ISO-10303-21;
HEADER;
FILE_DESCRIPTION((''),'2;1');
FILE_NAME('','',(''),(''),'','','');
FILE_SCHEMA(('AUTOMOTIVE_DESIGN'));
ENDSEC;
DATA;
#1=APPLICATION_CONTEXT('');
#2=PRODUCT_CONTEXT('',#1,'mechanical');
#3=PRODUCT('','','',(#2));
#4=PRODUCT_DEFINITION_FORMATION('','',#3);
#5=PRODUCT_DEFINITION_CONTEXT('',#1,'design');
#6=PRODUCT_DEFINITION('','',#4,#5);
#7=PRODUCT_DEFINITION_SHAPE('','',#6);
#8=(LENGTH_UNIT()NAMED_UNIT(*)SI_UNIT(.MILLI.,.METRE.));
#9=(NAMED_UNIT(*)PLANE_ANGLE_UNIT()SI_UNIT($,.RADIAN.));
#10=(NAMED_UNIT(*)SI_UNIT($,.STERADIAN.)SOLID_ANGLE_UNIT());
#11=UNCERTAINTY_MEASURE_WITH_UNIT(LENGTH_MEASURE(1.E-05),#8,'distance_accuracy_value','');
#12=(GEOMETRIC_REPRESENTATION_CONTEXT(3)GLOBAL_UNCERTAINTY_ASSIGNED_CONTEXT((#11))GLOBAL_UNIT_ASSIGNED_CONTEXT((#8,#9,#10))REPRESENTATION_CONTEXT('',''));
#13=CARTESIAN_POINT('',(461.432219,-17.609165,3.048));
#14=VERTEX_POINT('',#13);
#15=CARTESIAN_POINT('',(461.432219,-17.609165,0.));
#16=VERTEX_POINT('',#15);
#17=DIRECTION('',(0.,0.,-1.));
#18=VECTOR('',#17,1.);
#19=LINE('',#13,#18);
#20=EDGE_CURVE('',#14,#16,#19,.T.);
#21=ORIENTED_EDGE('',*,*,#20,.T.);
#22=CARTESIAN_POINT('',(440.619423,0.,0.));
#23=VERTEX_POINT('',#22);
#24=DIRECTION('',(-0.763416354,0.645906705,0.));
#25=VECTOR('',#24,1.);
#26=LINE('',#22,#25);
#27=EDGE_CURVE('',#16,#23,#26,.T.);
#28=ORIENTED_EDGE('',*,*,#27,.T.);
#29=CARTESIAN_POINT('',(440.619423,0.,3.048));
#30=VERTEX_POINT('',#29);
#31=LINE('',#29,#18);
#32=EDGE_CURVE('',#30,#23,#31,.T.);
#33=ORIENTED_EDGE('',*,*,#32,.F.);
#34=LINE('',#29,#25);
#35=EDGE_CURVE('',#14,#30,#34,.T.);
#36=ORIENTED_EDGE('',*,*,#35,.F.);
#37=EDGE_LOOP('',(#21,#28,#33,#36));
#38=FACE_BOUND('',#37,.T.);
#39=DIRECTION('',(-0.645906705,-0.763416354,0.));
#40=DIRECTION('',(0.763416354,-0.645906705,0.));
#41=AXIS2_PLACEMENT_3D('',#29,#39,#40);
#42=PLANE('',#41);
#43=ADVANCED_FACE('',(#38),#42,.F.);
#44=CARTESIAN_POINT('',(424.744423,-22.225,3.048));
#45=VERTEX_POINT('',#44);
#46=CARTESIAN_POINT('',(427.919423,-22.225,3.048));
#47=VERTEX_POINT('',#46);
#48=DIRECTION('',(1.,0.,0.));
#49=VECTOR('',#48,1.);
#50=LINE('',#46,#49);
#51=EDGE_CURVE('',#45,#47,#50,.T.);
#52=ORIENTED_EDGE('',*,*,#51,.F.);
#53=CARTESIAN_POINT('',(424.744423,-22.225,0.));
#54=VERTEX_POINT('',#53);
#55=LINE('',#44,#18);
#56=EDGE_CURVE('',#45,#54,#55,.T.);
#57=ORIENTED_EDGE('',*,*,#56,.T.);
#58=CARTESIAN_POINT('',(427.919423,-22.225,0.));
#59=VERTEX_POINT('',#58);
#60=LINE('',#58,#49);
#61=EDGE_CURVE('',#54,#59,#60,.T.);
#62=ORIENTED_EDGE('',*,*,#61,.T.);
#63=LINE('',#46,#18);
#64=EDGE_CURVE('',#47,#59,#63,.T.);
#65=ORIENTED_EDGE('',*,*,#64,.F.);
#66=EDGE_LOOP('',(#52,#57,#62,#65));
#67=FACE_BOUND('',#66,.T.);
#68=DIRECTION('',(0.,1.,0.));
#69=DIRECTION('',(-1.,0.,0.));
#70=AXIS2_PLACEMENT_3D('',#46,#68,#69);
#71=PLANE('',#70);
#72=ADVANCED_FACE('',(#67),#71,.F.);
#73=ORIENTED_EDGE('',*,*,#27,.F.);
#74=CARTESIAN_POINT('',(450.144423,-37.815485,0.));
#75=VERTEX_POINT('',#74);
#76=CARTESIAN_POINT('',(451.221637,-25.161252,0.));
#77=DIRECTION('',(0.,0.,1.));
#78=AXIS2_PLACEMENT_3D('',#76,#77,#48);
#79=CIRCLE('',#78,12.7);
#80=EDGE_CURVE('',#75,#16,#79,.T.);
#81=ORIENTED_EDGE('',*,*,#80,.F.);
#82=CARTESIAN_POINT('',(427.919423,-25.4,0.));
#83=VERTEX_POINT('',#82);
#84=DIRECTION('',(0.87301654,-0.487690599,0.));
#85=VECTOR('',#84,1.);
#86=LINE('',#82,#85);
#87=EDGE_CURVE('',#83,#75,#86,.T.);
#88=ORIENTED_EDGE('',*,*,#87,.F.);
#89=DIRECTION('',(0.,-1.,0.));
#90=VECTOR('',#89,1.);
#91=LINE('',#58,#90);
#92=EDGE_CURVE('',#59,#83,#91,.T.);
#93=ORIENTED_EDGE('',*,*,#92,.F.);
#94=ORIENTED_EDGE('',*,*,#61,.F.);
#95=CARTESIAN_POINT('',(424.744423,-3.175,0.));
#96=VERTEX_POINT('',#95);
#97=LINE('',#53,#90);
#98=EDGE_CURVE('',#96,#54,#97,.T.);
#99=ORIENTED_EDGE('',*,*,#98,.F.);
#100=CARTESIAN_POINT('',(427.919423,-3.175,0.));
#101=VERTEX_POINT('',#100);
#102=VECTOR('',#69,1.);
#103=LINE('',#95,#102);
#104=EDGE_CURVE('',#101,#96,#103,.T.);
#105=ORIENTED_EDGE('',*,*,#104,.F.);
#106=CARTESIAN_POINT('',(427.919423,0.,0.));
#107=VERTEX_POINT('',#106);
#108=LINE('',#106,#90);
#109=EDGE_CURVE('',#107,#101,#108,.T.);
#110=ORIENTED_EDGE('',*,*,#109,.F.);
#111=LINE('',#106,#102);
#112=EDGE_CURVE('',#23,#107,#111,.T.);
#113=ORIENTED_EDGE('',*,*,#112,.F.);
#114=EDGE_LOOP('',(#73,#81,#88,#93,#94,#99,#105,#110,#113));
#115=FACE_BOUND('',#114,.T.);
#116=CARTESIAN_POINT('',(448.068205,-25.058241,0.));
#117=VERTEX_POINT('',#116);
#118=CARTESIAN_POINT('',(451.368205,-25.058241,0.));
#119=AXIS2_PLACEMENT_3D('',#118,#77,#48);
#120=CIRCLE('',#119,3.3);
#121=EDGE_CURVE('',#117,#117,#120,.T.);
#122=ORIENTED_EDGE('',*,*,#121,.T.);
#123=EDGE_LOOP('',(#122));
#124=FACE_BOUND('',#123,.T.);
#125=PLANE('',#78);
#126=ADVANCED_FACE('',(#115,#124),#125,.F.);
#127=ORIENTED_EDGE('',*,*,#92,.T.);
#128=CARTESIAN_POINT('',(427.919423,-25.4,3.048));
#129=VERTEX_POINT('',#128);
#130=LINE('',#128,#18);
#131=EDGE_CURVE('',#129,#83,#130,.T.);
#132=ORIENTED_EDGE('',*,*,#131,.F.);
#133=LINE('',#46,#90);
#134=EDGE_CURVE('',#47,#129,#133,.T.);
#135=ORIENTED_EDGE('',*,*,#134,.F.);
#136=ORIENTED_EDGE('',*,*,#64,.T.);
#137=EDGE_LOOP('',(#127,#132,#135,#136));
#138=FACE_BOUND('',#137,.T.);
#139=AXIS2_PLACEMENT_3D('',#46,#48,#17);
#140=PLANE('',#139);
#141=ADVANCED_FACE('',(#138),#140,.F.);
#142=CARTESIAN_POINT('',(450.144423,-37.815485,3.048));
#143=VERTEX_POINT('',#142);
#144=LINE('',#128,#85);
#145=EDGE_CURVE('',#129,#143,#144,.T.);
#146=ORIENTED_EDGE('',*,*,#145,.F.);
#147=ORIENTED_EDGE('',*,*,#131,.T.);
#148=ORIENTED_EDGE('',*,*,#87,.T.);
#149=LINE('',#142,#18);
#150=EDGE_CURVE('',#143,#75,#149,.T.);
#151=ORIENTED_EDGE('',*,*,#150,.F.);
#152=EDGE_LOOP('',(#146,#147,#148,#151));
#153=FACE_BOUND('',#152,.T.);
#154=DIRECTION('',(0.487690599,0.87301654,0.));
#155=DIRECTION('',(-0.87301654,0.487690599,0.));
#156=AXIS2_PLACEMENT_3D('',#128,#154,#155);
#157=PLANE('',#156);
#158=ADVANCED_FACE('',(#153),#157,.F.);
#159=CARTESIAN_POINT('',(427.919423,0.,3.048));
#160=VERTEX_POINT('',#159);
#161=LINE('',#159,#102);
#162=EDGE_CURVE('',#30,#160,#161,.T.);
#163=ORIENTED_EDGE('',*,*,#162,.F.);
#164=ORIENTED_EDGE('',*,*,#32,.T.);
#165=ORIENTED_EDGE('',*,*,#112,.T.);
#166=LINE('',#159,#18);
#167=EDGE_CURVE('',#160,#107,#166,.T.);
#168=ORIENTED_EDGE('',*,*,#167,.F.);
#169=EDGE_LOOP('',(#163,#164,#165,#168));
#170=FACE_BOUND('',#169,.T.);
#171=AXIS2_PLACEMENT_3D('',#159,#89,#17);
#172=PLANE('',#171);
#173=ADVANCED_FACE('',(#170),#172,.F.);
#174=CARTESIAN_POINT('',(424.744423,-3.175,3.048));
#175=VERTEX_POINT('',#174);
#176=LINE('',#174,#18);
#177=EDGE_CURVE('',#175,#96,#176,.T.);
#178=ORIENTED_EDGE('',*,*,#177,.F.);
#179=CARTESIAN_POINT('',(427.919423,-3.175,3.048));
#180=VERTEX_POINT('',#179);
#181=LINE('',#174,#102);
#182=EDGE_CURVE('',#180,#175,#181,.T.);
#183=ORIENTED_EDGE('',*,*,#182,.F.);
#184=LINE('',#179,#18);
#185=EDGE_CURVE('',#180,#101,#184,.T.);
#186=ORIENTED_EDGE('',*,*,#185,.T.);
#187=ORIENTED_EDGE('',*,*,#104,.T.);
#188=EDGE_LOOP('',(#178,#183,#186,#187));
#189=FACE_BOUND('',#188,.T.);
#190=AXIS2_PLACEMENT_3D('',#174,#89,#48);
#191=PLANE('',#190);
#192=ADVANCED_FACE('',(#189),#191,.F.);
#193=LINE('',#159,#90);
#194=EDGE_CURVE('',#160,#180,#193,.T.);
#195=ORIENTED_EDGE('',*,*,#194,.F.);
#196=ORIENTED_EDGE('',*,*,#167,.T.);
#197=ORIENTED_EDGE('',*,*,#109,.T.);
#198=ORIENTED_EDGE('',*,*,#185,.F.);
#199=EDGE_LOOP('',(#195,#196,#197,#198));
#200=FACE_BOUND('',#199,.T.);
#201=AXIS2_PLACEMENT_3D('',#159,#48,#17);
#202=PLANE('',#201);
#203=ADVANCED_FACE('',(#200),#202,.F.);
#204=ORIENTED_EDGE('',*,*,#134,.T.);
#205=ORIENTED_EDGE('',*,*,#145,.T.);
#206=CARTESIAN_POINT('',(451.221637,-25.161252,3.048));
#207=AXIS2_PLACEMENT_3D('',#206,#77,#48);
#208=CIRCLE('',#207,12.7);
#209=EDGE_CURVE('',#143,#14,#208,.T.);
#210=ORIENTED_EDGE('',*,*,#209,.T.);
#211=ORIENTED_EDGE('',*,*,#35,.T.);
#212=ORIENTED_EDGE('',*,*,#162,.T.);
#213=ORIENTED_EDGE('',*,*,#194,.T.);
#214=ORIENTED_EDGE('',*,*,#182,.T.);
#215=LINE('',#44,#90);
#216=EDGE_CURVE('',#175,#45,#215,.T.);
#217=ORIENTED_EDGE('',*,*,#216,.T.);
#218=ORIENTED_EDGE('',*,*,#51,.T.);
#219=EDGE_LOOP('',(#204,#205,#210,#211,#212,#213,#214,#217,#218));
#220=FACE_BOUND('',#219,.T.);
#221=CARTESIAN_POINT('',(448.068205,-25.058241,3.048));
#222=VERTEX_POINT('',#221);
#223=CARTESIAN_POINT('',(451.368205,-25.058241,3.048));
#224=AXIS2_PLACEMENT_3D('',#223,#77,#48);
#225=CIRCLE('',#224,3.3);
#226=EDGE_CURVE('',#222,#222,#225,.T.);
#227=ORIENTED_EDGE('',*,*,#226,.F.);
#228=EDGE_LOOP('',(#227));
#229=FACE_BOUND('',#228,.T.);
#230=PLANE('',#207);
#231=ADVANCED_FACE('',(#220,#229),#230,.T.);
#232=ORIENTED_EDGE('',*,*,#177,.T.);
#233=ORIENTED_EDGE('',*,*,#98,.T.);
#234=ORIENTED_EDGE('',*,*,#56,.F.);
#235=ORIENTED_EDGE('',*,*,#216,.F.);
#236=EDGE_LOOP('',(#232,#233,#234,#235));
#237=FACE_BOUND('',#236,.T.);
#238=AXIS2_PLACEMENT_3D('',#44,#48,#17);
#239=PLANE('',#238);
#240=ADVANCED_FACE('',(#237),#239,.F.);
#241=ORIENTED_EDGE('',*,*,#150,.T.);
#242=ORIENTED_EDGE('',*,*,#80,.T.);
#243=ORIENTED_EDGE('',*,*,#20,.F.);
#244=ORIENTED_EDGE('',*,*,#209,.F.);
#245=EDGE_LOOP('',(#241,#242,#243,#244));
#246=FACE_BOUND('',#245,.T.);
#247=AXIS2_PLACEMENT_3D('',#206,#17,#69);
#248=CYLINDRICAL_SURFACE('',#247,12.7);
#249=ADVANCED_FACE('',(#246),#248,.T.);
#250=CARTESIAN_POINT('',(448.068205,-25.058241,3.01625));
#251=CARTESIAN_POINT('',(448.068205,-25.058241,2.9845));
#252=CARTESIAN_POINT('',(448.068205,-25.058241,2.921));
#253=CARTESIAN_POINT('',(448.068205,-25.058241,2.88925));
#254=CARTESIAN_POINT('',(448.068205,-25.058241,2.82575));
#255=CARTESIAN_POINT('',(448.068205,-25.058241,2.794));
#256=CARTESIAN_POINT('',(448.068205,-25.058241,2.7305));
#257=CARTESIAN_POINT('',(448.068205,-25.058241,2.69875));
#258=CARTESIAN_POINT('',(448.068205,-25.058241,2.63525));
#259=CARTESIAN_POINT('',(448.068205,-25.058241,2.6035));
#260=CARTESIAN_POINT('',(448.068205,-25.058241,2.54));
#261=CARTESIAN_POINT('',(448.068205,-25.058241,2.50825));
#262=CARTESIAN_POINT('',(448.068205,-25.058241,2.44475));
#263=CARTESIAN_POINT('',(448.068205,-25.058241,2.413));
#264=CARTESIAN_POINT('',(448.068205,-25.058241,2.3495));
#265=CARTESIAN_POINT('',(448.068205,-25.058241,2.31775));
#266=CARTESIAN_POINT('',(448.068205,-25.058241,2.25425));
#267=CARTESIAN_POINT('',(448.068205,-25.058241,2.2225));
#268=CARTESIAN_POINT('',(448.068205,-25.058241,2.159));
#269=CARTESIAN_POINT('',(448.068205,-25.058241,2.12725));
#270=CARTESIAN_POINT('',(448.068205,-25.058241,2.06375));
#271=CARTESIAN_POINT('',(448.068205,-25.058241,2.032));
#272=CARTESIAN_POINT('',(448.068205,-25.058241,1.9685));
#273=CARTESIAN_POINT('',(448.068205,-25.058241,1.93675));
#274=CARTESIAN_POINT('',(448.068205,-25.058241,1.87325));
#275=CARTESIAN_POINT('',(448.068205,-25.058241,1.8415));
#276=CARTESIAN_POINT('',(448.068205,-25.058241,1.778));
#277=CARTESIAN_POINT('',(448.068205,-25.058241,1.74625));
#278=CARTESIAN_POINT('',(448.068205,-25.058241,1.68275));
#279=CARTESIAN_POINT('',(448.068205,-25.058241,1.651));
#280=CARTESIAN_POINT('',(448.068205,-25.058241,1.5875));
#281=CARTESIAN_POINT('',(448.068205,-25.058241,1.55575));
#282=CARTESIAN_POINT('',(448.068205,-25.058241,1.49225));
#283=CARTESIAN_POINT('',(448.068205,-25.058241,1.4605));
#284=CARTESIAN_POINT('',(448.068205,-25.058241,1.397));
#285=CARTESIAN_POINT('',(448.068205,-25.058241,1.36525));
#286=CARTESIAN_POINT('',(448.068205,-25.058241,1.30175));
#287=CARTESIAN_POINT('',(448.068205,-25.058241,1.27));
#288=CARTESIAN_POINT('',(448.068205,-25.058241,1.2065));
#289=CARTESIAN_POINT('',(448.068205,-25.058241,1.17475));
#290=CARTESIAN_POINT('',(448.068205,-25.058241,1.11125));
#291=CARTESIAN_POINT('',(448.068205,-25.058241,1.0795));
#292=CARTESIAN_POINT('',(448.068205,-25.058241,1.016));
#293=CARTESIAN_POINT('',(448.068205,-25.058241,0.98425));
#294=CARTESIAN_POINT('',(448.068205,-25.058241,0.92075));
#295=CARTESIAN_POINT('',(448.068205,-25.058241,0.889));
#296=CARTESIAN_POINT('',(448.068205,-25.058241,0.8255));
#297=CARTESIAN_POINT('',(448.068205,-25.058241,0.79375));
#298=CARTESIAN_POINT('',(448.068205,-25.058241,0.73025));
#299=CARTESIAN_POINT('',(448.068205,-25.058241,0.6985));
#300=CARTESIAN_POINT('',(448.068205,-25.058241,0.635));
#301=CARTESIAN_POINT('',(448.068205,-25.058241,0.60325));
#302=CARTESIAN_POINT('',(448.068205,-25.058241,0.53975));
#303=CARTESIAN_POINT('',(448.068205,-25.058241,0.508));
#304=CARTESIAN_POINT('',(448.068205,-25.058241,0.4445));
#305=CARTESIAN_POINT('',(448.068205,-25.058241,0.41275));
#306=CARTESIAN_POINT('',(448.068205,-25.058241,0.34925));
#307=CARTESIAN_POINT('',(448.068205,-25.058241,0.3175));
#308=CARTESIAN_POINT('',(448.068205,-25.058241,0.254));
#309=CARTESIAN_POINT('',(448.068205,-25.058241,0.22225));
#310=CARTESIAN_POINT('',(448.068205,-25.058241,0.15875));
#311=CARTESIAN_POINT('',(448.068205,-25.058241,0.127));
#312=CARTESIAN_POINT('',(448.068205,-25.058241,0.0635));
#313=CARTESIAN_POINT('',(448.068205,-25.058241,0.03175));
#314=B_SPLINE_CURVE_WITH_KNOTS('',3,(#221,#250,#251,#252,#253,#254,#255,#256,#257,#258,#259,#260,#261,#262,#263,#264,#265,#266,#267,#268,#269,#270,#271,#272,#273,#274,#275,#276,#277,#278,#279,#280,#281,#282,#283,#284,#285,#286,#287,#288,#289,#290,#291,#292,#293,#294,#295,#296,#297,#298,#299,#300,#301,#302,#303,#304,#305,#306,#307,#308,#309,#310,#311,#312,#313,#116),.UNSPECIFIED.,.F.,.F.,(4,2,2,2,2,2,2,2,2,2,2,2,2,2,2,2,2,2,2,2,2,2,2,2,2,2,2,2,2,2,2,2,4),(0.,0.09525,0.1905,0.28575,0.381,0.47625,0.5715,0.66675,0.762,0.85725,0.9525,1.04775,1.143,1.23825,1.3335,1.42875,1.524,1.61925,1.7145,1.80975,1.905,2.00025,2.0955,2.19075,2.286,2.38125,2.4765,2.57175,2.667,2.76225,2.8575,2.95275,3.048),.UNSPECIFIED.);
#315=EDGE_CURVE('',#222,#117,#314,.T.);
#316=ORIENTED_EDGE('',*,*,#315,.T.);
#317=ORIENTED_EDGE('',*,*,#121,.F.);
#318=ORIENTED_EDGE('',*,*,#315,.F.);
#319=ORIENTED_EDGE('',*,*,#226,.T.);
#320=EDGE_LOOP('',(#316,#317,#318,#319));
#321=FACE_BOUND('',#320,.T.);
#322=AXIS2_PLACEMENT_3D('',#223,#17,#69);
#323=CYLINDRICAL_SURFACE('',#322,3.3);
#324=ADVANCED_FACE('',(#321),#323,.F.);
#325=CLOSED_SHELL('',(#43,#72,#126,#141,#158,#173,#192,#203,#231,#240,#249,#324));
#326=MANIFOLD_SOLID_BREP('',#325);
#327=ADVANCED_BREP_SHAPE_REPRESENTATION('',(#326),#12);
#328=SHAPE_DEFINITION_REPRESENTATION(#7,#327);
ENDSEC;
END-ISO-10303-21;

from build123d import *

# Parameters (mm, degrees)
SKETCH1_R           = 3.3
BOSS_EXTRUDE1_DEPTH = 3.048


with BuildPart() as part:
    # Sketch1 → Boss-Extrude1 (new body)
    with BuildSketch(Plane.XY):
        with BuildLine():
            Line((427.919423357, 0), (440.619423357, 0))
            Line((440.619423357, 0), (461.432219063, -17.609164677))
            ThreePointArc((461.432219063, -17.609164677), (462.308947418, -31.354922495), (450.144423357, -37.815484776))
            Line((450.144423357, -37.815484776), (427.919423357, -25.4))
            Line((427.919423357, -25.4), (427.919423357, -22.225))
            Line((427.919423357, -22.225), (424.744423357, -22.225))
            Line((424.744423357, -22.225), (424.744423357, -3.175))
            Line((424.744423357, -3.175), (427.919423357, -3.175))
            Line((427.919423357, -3.175), (427.919423357, 0))
        make_face()
        with Locations(Location((451.368205009, -25.058241389, 0), (0, 0, 180))):
            Circle(SKETCH1_R, mode=Mode.SUBTRACT)
    extrude(amount=BOSS_EXTRUDE1_DEPTH)


solid = part.part
